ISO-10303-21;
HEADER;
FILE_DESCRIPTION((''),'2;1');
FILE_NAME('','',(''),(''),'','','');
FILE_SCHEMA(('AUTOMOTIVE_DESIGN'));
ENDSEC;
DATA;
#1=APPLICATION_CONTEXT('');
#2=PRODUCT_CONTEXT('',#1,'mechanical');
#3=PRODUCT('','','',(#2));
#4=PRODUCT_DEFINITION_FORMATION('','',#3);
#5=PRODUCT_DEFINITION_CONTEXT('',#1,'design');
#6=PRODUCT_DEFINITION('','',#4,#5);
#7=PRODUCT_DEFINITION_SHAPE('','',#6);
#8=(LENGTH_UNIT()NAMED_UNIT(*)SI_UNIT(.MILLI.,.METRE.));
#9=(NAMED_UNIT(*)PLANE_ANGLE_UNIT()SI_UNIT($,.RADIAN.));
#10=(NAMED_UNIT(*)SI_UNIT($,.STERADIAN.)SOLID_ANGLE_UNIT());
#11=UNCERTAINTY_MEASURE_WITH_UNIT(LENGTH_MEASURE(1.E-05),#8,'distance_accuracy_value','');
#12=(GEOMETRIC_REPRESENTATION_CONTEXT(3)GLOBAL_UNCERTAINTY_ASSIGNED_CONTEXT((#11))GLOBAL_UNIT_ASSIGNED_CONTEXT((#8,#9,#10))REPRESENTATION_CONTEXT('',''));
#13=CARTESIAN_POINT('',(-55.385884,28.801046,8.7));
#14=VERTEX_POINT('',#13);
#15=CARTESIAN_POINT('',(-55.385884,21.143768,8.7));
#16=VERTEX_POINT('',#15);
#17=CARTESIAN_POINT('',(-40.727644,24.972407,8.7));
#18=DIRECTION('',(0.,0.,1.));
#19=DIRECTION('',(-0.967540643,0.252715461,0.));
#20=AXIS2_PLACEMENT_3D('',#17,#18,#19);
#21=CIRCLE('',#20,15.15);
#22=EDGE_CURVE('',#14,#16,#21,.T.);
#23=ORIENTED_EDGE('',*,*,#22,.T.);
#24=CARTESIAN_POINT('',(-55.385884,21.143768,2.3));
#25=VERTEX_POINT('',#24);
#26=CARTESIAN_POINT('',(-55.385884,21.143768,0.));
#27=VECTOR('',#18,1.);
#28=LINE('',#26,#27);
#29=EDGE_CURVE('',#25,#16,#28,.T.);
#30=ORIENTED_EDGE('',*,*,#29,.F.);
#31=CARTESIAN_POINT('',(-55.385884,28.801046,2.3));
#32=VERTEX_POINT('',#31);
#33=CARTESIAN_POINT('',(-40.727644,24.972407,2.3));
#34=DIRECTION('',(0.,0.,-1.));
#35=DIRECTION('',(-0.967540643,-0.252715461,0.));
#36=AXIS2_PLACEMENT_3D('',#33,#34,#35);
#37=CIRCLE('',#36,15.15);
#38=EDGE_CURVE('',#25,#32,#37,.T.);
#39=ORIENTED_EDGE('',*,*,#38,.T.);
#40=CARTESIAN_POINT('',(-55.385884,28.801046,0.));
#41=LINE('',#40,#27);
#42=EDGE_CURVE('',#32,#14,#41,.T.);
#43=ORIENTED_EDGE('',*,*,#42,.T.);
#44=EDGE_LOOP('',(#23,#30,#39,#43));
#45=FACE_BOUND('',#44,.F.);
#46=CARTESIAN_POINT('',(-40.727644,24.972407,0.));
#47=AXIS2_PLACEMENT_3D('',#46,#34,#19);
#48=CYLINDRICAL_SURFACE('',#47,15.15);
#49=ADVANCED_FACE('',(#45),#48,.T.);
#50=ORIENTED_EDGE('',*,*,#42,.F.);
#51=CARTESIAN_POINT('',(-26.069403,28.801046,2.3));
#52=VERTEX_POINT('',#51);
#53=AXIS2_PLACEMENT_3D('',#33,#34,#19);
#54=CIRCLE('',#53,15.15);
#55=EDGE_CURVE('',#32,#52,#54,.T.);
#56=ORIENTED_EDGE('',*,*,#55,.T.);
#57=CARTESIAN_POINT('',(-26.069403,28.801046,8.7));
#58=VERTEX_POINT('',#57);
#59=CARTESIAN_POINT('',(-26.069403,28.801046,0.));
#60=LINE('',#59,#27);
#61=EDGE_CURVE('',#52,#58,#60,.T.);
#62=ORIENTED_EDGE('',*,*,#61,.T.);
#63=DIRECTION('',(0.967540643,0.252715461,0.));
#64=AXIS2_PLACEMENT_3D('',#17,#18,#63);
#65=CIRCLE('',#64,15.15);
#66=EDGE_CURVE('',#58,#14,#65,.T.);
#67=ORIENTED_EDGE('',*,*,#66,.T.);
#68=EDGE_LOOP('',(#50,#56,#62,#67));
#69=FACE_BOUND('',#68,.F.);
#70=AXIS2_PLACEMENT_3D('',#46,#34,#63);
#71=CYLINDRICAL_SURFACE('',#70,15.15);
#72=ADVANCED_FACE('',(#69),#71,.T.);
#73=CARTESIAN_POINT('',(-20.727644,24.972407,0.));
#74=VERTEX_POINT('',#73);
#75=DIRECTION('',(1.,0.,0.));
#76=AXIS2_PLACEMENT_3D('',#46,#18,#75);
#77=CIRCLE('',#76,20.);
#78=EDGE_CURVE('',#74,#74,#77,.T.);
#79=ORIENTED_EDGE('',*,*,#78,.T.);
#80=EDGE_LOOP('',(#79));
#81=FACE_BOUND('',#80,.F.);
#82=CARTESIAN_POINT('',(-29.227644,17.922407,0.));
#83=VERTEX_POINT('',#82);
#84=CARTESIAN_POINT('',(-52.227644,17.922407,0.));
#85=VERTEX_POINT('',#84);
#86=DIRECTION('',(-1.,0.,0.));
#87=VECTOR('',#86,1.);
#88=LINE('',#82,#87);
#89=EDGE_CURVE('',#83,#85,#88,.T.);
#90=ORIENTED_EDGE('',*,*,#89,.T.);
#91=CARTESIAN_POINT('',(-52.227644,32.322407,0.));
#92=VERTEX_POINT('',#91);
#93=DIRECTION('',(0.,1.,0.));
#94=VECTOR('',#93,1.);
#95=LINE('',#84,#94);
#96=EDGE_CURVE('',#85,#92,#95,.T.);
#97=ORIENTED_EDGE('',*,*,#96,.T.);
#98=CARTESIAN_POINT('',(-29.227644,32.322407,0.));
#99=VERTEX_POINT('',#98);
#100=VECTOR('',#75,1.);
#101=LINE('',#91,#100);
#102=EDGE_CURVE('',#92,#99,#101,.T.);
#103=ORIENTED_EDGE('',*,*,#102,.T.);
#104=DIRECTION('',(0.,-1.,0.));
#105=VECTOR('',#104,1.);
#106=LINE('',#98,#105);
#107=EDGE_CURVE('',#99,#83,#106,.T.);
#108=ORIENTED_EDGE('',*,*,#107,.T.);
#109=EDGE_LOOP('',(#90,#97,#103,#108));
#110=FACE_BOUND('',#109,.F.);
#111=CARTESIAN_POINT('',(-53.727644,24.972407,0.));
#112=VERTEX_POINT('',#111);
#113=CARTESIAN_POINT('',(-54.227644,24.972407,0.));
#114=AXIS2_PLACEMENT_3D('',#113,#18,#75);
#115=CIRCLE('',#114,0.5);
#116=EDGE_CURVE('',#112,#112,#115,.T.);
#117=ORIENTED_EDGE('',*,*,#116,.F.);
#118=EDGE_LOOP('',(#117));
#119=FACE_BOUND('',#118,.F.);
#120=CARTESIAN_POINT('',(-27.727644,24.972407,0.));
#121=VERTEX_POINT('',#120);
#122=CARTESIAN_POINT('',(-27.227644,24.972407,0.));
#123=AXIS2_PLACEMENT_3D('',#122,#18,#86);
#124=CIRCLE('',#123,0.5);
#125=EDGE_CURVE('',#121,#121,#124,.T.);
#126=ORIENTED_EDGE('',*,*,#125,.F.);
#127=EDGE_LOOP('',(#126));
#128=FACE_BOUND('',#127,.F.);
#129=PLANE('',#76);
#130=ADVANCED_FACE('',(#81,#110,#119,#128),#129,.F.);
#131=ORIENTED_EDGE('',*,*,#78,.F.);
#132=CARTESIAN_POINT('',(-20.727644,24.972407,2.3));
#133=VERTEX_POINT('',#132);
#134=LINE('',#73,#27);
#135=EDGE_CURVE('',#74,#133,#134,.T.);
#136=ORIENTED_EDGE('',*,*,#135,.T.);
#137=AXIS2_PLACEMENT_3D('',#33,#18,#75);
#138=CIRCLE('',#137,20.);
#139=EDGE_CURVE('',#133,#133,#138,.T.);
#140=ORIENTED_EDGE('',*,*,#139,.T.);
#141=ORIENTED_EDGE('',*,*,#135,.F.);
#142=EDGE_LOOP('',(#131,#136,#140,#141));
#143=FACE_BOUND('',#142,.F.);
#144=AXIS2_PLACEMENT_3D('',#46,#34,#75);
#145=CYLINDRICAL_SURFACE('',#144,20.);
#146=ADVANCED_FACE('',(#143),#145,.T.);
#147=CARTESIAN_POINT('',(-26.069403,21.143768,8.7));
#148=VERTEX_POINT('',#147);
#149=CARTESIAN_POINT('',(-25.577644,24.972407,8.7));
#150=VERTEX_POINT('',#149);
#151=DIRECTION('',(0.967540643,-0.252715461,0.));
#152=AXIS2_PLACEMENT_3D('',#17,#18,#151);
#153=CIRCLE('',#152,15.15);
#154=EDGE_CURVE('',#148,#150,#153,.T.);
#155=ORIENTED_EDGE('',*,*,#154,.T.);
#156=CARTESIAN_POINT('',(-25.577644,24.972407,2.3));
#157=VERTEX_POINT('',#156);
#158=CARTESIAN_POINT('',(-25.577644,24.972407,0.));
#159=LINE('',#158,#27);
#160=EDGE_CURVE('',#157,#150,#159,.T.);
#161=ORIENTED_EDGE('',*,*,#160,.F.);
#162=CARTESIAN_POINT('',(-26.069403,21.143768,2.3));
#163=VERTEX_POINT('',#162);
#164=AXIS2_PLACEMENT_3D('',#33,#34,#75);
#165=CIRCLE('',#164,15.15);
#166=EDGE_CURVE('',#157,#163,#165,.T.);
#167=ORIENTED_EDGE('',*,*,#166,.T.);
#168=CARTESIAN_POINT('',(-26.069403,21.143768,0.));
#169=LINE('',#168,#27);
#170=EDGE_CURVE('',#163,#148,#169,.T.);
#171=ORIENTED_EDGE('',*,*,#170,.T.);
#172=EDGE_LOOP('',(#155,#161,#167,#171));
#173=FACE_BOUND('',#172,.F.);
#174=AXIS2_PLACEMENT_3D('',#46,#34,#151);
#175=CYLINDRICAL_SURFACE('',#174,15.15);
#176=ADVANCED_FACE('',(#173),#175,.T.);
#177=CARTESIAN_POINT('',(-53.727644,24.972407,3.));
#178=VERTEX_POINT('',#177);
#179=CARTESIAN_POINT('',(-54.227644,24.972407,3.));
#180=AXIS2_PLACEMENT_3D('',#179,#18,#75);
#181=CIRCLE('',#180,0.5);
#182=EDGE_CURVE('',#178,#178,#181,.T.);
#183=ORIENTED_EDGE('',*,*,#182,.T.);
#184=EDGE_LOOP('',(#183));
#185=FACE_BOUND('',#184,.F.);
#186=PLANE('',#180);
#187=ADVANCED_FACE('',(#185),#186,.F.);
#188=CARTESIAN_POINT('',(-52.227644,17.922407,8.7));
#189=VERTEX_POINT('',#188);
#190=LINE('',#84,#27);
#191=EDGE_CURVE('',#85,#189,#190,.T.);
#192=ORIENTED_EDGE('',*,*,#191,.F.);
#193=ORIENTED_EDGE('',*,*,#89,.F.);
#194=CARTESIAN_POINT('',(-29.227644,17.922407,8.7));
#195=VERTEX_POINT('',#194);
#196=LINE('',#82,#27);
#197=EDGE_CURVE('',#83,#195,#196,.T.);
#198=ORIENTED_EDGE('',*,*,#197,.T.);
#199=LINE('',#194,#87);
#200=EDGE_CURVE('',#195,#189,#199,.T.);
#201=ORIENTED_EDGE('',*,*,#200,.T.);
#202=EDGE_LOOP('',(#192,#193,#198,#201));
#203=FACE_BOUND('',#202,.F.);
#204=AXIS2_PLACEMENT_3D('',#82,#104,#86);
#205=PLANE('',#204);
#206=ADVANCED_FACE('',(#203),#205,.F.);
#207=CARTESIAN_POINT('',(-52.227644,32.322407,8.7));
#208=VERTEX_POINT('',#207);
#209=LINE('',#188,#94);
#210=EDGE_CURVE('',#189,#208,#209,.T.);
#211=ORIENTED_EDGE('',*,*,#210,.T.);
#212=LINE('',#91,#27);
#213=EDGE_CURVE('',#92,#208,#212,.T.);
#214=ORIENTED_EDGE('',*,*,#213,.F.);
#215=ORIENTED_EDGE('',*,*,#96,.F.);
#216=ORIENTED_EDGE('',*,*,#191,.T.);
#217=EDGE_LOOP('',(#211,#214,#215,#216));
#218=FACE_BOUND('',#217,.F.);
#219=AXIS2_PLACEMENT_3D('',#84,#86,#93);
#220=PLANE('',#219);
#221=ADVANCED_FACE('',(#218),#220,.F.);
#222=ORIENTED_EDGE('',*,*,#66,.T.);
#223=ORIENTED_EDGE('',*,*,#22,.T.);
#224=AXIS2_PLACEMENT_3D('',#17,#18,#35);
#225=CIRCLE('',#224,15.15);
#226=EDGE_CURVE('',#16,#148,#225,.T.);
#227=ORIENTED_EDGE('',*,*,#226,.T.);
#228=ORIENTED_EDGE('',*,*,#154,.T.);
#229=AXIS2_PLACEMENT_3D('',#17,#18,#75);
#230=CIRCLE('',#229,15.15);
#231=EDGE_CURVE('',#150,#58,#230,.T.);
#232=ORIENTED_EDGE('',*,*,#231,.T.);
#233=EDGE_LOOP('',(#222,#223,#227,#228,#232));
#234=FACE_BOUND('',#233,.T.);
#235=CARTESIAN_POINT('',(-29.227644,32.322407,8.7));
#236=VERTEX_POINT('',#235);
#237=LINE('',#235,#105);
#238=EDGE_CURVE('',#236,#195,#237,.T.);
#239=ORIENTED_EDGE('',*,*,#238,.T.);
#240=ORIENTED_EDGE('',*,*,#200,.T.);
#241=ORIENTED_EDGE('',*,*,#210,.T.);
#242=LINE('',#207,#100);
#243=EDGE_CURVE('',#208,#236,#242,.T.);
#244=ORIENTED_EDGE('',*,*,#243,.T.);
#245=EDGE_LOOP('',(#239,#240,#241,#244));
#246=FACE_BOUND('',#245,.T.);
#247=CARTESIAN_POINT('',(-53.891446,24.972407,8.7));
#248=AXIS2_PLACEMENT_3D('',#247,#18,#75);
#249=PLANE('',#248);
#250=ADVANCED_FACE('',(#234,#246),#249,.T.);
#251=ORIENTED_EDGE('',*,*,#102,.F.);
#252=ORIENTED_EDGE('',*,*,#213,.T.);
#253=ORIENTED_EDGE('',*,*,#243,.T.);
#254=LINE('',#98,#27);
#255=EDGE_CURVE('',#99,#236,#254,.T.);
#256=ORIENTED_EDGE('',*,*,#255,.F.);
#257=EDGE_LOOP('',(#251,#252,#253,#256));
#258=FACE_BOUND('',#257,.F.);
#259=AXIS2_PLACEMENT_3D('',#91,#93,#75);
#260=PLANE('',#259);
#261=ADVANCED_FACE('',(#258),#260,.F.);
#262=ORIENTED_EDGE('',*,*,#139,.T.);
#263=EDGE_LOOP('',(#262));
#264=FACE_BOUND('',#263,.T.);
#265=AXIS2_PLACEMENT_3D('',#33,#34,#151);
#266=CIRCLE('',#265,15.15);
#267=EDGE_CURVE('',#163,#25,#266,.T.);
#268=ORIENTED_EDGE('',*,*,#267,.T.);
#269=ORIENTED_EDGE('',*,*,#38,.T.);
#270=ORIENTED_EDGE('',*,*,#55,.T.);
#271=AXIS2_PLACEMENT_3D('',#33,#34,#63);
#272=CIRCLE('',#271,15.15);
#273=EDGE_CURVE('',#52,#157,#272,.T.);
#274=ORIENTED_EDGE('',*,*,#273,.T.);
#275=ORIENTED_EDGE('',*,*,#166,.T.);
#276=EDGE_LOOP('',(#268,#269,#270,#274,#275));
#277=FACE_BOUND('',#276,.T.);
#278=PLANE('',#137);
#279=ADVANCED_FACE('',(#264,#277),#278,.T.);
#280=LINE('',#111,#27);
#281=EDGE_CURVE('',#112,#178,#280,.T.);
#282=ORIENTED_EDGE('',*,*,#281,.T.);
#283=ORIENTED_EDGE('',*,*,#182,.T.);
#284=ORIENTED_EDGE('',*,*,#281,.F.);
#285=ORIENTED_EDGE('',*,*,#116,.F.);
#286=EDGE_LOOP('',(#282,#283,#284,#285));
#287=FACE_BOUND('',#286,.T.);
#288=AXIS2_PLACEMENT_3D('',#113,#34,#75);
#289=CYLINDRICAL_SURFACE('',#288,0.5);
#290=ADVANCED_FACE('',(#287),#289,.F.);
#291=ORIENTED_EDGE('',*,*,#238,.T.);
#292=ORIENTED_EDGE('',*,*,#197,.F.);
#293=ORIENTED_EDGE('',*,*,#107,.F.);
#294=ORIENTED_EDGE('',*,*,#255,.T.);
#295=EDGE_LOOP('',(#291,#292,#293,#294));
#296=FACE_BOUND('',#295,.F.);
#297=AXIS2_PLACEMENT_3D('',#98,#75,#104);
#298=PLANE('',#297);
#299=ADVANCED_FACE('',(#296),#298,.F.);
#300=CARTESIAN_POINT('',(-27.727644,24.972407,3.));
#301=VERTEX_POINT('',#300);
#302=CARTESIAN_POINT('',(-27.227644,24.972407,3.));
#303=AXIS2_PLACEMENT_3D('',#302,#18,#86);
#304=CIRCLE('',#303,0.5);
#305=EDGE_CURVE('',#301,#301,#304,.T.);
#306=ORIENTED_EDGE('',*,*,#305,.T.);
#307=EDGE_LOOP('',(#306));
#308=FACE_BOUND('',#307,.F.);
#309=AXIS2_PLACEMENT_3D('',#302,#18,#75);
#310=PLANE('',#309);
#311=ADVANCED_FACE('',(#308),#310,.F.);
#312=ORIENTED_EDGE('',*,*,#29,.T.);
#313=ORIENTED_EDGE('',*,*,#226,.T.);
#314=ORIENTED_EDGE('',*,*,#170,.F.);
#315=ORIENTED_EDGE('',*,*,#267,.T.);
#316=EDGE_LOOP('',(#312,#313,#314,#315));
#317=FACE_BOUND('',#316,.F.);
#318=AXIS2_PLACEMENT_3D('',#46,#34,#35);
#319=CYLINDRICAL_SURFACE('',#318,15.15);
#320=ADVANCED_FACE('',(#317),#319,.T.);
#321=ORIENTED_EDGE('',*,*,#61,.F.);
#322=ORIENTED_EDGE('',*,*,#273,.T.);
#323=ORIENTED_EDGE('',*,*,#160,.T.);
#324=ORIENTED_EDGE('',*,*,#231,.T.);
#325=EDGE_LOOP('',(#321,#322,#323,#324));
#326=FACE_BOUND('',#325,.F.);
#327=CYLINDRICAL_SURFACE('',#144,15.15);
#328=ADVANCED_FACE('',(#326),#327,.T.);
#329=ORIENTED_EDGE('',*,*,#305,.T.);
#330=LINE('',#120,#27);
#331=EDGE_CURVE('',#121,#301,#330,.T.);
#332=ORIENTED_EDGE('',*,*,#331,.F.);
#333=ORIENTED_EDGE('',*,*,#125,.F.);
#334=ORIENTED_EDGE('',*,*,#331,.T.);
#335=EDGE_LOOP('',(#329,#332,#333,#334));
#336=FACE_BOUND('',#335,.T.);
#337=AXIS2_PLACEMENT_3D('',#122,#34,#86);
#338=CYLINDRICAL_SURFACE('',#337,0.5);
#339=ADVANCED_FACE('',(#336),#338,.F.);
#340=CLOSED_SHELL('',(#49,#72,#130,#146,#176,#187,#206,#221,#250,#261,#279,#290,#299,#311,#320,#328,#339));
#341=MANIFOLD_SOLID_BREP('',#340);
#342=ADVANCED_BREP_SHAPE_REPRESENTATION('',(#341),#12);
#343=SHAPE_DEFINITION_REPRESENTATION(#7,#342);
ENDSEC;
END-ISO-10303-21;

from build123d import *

# Parameters (mm, degrees)
F0_R     = 0.5
F1_DEPTH = 8.7
F0_R_2   = 20
F2_DEPTH = 2.3
F3_DEPTH = 3


with BuildPart() as f1:
    # F0 (on Top) → F1 (new body)
    with BuildSketch(Plane.XY):
        with BuildLine():
            Line((-52.2276436281, 24.9724070162), (-52.2276436281, 28.9724070162))
            Line((-52.2276436281, 28.9724070162), (-54.2276436281, 28.9724070162))
            ThreePointArc((-54.2276436281, 28.9724070162), (-54.8130678601, 28.9293349241), (-55.3858843689, 28.8010462505))
            ThreePointArc((-55.3858843689, 28.8010462505), (-55.8776436281, 24.9724070162), (-55.3858843689, 21.1437677818))
            ThreePointArc((-55.3858843689, 21.1437677818), (-54.8130678601, 21.0154791082), (-54.2276436281, 20.9724070162))
            Line((-54.2276436281, 20.9724070162), (-52.2276436281, 20.9724070162))
            Line((-52.2276436281, 20.9724070162), (-52.2276436281, 24.9724070162))
        make_face()
        with Locations((-54.2276436281, 24.9724070162)):
            Circle(F0_R, mode=Mode.SUBTRACT)
        with Locations((-54.2276436281, 24.9724070162)):
            Circle(F0_R)
        with BuildLine():
            Line((-27.2276436281, 28.9724070162), (-29.2276436281, 28.9724070162))
            Line((-29.2276436281, 28.9724070162), (-29.2276436281, 24.9724070162))
            Line((-29.2276436281, 24.9724070162), (-29.2276436281, 20.9724070162))
            Line((-29.2276436281, 20.9724070162), (-27.2276436281, 20.9724070162))
            ThreePointArc((-27.2276436281, 20.9724070162), (-26.6422193961, 21.0154791082), (-26.0694028874, 21.1437677818))
            ThreePointArc((-26.0694028874, 21.1437677818), (-25.7010863507, 23.0423613201), (-25.5776436281, 24.9724070162))
            ThreePointArc((-25.5776436281, 24.9724070162), (-25.7010863507, 26.9024527122), (-26.0694028874, 28.8010462505))
            ThreePointArc((-26.0694028874, 28.8010462505), (-26.6422193961, 28.9293349241), (-27.2276436281, 28.9724070162))
        make_face()
        with BuildLine():
            ThreePointArc((-26.7276436281, 24.9724070162), (-27.2276436281, 24.4724070162), (-27.7276436281, 24.9724070162))
            ThreePointArc((-27.7276436281, 24.9724070162), (-27.2276436281, 25.4724070162), (-26.7276436281, 24.9724070162))
        make_face(mode=Mode.SUBTRACT)
        with BuildLine():
            ThreePointArc((-26.7276436281, 24.9724070162), (-27.2276436281, 25.4724070162), (-27.7276436281, 24.9724070162))
            ThreePointArc((-27.7276436281, 24.9724070162), (-27.2276436281, 24.4724070162), (-26.7276436281, 24.9724070162))
        make_face()
        with BuildLine():
            Line((-52.2276436281, 17.9224070162), (-52.2276436281, 20.9724070162))
            Line((-52.2276436281, 20.9724070162), (-54.2276436281, 20.9724070162))
            ThreePointArc((-54.2276436281, 20.9724070162), (-54.8130678601, 21.0154791082), (-55.3858843689, 21.1437677818))
            ThreePointArc((-55.3858843689, 21.1437677818), (-40.7276436281, 9.8224070162), (-26.0694028874, 21.1437677818))
            ThreePointArc((-26.0694028874, 21.1437677818), (-26.6422193961, 21.0154791082), (-27.2276436281, 20.9724070162))
            Line((-27.2276436281, 20.9724070162), (-29.2276436281, 20.9724070162))
            Line((-29.2276436281, 20.9724070162), (-29.2276436281, 17.9224070162))
            Line((-29.2276436281, 17.9224070162), (-52.2276436281, 17.9224070162))
        make_face()
        with BuildLine():
            Line((-52.2276436281, 28.9724070162), (-52.2276436281, 32.3224070162))
            Line((-52.2276436281, 32.3224070162), (-29.2276436281, 32.3224070162))
            Line((-29.2276436281, 32.3224070162), (-29.2276436281, 28.9724070162))
            Line((-29.2276436281, 28.9724070162), (-27.2276436281, 28.9724070162))
            ThreePointArc((-27.2276436281, 28.9724070162), (-26.6422193961, 28.9293349241), (-26.0694028874, 28.8010462505))
            ThreePointArc((-26.0694028874, 28.8010462505), (-40.7276436281, 40.1224070162), (-55.3858843689, 28.8010462505))
            ThreePointArc((-55.3858843689, 28.8010462505), (-54.8130678601, 28.9293349241), (-54.2276436281, 28.9724070162))
            Line((-54.2276436281, 28.9724070162), (-52.2276436281, 28.9724070162))
        make_face()
    extrude(amount=F1_DEPTH)

    # F0 (on Top) → F2 (join)
    with BuildSketch(Plane.XY):
        with Locations((-40.7276436281, 24.9724070162)):
            Circle(F0_R_2)
        with BuildLine():
            ThreePointArc((-55.3858843689, 21.1437677818), (-58.2276436281, 24.9724070162), (-55.3858843689, 28.8010462505))
            ThreePointArc((-55.3858843689, 28.8010462505), (-40.7276436281, 40.1224070162), (-26.0694028874, 28.8010462505))
            ThreePointArc((-26.0694028874, 28.8010462505), (-23.2276436281, 24.9724070162), (-26.0694028874, 21.1437677818))
            ThreePointArc((-26.0694028874, 21.1437677818), (-40.7276436281, 9.8224070162), (-55.3858843689, 21.1437677818))
        make_face(mode=Mode.SUBTRACT)
        with BuildLine():
            ThreePointArc((-55.3858843689, 21.1437677818), (-55.8776436281, 24.9724070162), (-55.3858843689, 28.8010462505))
            ThreePointArc((-55.3858843689, 28.8010462505), (-58.2276436281, 24.9724070162), (-55.3858843689, 21.1437677818))
        make_face()
        with BuildLine():
            ThreePointArc((-26.0694028874, 21.1437677818), (-23.2276436281, 24.9724070162), (-26.0694028874, 28.8010462505))
            ThreePointArc((-26.0694028874, 28.8010462505), (-25.7010863507, 26.9024527122), (-25.5776436281, 24.9724070162))
            ThreePointArc((-25.5776436281, 24.9724070162), (-25.7010863507, 23.0423613201), (-26.0694028874, 21.1437677818))
        make_face()
    extrude(amount=F2_DEPTH)

    # F0 (on Top) → F3 (cut)
    with BuildSketch(Plane.XY):
        with Locations((-54.2276436281, 24.9724070162)):
            Circle(F0_R)
        with BuildLine():
            ThreePointArc((-26.7276436281, 24.9724070162), (-27.2276436281, 25.4724070162), (-27.7276436281, 24.9724070162))
            ThreePointArc((-27.7276436281, 24.9724070162), (-27.2276436281, 24.4724070162), (-26.7276436281, 24.9724070162))
        make_face()
    extrude(amount=F3_DEPTH, mode=Mode.SUBTRACT)


solid = f1.part
